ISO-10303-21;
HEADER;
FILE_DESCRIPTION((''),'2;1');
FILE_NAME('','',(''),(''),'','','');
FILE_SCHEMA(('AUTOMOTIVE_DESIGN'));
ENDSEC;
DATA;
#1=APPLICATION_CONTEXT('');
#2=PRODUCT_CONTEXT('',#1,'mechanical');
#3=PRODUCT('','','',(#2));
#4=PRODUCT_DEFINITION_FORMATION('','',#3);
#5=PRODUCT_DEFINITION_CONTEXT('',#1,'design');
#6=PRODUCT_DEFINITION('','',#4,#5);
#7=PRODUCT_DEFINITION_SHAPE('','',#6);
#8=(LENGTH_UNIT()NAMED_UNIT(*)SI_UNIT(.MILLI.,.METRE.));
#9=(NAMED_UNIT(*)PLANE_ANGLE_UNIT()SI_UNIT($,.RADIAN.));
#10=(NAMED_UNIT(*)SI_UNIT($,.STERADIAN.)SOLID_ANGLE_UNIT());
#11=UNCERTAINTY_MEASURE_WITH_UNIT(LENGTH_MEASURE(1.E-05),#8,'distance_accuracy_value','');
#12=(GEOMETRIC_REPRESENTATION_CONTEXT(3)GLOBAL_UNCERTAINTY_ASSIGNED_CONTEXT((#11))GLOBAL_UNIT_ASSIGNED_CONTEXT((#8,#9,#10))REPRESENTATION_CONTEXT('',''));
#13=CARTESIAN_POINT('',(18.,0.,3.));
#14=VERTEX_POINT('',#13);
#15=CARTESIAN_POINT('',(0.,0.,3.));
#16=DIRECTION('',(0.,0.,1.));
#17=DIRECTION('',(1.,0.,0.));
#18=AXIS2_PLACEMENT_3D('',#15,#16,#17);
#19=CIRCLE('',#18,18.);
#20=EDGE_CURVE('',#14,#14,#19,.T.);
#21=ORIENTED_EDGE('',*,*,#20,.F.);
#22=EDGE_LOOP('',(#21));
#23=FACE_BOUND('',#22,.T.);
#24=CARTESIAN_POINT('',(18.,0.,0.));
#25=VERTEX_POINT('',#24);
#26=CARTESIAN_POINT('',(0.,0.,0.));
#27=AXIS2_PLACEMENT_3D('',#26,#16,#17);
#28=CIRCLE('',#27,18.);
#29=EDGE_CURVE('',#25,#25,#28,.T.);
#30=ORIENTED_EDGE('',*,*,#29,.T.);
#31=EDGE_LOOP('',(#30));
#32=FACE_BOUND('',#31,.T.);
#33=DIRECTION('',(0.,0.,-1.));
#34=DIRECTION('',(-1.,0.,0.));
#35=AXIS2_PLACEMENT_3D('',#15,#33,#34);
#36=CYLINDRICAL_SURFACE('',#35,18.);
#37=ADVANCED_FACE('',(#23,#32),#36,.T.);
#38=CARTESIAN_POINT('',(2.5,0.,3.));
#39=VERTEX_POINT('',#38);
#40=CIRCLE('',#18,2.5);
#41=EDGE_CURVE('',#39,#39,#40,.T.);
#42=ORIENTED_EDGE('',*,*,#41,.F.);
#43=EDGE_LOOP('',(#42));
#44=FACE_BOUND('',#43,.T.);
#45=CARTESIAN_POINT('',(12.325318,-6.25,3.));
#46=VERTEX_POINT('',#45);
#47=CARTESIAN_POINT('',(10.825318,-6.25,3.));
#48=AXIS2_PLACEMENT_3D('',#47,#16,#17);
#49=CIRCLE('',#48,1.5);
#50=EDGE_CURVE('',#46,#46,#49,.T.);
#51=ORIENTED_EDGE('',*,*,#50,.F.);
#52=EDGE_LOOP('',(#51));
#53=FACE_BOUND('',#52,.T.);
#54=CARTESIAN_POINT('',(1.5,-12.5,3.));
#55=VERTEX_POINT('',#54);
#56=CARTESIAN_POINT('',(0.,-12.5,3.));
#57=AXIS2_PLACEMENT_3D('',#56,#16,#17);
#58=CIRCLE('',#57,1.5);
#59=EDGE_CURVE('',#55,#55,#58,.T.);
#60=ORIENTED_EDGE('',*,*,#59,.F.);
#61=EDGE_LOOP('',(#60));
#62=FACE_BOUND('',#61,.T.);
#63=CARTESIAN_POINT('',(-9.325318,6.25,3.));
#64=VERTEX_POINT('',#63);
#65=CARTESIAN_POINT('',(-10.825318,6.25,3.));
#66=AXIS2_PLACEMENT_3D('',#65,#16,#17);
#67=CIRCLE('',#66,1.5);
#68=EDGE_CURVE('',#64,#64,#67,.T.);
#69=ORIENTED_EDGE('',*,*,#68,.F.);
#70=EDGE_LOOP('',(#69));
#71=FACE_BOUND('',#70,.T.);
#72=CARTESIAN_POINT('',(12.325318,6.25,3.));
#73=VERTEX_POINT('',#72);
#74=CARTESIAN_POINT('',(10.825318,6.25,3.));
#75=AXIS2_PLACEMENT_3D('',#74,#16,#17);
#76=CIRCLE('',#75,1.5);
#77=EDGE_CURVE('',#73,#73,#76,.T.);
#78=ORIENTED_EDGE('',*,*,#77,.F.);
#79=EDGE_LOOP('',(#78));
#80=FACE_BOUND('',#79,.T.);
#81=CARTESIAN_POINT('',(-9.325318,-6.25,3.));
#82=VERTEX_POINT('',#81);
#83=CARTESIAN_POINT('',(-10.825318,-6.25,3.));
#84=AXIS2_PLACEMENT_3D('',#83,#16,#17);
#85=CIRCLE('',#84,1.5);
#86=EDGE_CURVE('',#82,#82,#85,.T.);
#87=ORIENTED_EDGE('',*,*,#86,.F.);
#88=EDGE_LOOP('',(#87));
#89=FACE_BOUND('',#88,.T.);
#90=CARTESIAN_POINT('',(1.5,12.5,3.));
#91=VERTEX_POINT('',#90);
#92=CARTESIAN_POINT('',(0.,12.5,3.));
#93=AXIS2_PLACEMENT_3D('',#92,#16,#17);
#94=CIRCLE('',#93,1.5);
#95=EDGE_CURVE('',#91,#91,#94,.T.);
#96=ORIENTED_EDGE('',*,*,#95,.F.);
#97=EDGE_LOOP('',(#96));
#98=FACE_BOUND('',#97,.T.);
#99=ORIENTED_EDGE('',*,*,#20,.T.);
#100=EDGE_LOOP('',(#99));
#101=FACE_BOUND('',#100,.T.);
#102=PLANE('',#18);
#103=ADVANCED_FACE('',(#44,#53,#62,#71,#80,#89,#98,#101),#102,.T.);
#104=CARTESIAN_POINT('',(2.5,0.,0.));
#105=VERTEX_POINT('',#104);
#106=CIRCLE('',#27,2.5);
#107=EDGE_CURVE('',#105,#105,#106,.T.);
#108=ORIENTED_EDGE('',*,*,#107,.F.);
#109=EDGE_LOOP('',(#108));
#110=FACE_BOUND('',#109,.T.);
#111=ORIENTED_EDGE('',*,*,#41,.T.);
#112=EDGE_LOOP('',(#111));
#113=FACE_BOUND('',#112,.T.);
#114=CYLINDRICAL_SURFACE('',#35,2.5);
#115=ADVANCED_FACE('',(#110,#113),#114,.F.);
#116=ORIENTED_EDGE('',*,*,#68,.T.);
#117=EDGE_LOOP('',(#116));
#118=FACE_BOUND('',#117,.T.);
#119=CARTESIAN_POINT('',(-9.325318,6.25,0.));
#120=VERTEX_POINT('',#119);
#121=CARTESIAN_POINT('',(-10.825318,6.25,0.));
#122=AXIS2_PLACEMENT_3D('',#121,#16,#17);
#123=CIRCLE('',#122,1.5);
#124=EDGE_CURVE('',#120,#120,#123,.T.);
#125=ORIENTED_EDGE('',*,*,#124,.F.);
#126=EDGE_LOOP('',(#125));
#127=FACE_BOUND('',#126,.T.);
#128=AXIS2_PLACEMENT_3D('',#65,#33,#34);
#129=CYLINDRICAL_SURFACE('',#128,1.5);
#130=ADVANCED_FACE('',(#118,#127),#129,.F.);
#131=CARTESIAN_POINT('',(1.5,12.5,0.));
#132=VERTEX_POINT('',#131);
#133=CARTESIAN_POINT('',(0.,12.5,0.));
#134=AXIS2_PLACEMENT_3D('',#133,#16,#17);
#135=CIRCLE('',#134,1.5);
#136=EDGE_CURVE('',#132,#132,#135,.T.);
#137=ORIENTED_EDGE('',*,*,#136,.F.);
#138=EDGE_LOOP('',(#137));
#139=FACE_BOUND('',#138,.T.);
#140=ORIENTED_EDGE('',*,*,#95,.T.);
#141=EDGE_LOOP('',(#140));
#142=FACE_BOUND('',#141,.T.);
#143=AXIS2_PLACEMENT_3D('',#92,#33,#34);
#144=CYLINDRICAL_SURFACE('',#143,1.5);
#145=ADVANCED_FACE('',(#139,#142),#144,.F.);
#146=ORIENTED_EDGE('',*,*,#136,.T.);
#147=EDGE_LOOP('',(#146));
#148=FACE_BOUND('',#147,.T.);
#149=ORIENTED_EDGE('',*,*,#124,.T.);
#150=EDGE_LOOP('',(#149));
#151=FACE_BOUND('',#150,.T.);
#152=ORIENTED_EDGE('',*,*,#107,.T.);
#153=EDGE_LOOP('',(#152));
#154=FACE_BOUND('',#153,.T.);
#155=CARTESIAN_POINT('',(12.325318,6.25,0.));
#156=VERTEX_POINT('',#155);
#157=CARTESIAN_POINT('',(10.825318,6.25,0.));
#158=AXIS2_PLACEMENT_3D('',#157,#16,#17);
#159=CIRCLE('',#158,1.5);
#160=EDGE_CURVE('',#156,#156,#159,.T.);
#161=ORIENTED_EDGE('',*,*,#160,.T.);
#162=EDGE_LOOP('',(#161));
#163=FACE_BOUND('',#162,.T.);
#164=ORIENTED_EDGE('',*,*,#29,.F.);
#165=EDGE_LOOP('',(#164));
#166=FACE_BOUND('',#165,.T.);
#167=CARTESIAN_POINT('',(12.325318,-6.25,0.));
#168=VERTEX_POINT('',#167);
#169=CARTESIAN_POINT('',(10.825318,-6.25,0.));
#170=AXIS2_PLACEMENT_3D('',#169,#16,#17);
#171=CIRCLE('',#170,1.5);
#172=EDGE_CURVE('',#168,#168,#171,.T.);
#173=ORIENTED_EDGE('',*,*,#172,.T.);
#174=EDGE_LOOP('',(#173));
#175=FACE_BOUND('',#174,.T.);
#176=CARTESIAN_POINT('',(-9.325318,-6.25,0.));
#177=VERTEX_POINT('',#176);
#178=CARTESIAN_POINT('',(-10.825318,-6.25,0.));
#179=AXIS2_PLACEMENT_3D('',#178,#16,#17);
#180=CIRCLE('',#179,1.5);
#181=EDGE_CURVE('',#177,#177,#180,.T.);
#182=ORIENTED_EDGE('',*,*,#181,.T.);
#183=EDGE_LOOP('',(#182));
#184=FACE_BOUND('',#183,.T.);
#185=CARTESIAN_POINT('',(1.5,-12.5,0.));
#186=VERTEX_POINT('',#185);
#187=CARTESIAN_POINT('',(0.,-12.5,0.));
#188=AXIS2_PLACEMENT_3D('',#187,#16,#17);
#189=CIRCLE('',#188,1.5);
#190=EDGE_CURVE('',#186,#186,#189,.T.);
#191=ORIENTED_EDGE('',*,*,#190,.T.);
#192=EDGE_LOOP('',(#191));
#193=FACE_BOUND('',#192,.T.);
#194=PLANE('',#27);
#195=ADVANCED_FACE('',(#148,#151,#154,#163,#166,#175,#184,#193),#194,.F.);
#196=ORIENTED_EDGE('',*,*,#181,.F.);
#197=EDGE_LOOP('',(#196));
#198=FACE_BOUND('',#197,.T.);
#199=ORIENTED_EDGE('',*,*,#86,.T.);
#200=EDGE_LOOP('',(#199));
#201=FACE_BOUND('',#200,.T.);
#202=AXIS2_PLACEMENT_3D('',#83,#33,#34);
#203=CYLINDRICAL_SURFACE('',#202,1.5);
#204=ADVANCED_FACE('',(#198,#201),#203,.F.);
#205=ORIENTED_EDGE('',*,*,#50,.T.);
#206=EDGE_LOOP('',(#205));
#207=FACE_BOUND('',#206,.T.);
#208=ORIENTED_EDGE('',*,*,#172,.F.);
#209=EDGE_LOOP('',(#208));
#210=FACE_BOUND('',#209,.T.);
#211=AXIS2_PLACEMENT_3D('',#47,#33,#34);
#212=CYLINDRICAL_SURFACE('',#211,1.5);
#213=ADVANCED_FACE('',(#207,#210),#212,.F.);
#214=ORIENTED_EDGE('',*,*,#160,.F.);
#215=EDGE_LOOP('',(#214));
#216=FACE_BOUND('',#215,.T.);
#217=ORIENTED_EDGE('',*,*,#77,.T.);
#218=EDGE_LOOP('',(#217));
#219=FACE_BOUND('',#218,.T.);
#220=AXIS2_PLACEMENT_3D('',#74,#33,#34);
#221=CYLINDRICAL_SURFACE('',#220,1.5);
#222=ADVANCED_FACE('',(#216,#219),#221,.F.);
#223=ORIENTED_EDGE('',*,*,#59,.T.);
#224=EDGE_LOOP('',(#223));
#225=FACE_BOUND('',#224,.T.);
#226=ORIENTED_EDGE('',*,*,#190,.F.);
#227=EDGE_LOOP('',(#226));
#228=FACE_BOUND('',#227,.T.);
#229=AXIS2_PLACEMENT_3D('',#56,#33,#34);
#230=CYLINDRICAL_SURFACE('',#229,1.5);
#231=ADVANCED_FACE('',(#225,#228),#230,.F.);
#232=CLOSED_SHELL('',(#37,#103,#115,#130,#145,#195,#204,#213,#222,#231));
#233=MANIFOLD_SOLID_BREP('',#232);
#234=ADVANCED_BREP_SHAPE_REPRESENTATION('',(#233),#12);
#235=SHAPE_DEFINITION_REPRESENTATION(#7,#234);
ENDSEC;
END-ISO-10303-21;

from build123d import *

# Parameters (mm, degrees)
SKETCH1_R           = 18
SKETCH1_R_2         = 1.5
SKETCH1_R_3         = 2.5
BOSS_EXTRUDE1_DEPTH = 3


with BuildPart() as part:
    # Sketch1 → Boss-Extrude1 (new body)
    with BuildSketch(Plane.XY):
        Circle(SKETCH1_R)
        with Locations((0, 12.5)):
            Circle(SKETCH1_R_2, mode=Mode.SUBTRACT)
        with Locations((10.825317547, 6.25)):
            Circle(SKETCH1_R_2, mode=Mode.SUBTRACT)
        with Locations((10.825317547, -6.25)):
            Circle(SKETCH1_R_2, mode=Mode.SUBTRACT)
        with Locations((0, -12.5)):
            Circle(SKETCH1_R_2, mode=Mode.SUBTRACT)
        with Locations((-10.825317547, -6.25)):
            Circle(SKETCH1_R_2, mode=Mode.SUBTRACT)
        with Locations((-10.825317547, 6.25)):
            Circle(SKETCH1_R_2, mode=Mode.SUBTRACT)
        Circle(SKETCH1_R_3, mode=Mode.SUBTRACT)
    extrude(amount=BOSS_EXTRUDE1_DEPTH)


solid = part.part
